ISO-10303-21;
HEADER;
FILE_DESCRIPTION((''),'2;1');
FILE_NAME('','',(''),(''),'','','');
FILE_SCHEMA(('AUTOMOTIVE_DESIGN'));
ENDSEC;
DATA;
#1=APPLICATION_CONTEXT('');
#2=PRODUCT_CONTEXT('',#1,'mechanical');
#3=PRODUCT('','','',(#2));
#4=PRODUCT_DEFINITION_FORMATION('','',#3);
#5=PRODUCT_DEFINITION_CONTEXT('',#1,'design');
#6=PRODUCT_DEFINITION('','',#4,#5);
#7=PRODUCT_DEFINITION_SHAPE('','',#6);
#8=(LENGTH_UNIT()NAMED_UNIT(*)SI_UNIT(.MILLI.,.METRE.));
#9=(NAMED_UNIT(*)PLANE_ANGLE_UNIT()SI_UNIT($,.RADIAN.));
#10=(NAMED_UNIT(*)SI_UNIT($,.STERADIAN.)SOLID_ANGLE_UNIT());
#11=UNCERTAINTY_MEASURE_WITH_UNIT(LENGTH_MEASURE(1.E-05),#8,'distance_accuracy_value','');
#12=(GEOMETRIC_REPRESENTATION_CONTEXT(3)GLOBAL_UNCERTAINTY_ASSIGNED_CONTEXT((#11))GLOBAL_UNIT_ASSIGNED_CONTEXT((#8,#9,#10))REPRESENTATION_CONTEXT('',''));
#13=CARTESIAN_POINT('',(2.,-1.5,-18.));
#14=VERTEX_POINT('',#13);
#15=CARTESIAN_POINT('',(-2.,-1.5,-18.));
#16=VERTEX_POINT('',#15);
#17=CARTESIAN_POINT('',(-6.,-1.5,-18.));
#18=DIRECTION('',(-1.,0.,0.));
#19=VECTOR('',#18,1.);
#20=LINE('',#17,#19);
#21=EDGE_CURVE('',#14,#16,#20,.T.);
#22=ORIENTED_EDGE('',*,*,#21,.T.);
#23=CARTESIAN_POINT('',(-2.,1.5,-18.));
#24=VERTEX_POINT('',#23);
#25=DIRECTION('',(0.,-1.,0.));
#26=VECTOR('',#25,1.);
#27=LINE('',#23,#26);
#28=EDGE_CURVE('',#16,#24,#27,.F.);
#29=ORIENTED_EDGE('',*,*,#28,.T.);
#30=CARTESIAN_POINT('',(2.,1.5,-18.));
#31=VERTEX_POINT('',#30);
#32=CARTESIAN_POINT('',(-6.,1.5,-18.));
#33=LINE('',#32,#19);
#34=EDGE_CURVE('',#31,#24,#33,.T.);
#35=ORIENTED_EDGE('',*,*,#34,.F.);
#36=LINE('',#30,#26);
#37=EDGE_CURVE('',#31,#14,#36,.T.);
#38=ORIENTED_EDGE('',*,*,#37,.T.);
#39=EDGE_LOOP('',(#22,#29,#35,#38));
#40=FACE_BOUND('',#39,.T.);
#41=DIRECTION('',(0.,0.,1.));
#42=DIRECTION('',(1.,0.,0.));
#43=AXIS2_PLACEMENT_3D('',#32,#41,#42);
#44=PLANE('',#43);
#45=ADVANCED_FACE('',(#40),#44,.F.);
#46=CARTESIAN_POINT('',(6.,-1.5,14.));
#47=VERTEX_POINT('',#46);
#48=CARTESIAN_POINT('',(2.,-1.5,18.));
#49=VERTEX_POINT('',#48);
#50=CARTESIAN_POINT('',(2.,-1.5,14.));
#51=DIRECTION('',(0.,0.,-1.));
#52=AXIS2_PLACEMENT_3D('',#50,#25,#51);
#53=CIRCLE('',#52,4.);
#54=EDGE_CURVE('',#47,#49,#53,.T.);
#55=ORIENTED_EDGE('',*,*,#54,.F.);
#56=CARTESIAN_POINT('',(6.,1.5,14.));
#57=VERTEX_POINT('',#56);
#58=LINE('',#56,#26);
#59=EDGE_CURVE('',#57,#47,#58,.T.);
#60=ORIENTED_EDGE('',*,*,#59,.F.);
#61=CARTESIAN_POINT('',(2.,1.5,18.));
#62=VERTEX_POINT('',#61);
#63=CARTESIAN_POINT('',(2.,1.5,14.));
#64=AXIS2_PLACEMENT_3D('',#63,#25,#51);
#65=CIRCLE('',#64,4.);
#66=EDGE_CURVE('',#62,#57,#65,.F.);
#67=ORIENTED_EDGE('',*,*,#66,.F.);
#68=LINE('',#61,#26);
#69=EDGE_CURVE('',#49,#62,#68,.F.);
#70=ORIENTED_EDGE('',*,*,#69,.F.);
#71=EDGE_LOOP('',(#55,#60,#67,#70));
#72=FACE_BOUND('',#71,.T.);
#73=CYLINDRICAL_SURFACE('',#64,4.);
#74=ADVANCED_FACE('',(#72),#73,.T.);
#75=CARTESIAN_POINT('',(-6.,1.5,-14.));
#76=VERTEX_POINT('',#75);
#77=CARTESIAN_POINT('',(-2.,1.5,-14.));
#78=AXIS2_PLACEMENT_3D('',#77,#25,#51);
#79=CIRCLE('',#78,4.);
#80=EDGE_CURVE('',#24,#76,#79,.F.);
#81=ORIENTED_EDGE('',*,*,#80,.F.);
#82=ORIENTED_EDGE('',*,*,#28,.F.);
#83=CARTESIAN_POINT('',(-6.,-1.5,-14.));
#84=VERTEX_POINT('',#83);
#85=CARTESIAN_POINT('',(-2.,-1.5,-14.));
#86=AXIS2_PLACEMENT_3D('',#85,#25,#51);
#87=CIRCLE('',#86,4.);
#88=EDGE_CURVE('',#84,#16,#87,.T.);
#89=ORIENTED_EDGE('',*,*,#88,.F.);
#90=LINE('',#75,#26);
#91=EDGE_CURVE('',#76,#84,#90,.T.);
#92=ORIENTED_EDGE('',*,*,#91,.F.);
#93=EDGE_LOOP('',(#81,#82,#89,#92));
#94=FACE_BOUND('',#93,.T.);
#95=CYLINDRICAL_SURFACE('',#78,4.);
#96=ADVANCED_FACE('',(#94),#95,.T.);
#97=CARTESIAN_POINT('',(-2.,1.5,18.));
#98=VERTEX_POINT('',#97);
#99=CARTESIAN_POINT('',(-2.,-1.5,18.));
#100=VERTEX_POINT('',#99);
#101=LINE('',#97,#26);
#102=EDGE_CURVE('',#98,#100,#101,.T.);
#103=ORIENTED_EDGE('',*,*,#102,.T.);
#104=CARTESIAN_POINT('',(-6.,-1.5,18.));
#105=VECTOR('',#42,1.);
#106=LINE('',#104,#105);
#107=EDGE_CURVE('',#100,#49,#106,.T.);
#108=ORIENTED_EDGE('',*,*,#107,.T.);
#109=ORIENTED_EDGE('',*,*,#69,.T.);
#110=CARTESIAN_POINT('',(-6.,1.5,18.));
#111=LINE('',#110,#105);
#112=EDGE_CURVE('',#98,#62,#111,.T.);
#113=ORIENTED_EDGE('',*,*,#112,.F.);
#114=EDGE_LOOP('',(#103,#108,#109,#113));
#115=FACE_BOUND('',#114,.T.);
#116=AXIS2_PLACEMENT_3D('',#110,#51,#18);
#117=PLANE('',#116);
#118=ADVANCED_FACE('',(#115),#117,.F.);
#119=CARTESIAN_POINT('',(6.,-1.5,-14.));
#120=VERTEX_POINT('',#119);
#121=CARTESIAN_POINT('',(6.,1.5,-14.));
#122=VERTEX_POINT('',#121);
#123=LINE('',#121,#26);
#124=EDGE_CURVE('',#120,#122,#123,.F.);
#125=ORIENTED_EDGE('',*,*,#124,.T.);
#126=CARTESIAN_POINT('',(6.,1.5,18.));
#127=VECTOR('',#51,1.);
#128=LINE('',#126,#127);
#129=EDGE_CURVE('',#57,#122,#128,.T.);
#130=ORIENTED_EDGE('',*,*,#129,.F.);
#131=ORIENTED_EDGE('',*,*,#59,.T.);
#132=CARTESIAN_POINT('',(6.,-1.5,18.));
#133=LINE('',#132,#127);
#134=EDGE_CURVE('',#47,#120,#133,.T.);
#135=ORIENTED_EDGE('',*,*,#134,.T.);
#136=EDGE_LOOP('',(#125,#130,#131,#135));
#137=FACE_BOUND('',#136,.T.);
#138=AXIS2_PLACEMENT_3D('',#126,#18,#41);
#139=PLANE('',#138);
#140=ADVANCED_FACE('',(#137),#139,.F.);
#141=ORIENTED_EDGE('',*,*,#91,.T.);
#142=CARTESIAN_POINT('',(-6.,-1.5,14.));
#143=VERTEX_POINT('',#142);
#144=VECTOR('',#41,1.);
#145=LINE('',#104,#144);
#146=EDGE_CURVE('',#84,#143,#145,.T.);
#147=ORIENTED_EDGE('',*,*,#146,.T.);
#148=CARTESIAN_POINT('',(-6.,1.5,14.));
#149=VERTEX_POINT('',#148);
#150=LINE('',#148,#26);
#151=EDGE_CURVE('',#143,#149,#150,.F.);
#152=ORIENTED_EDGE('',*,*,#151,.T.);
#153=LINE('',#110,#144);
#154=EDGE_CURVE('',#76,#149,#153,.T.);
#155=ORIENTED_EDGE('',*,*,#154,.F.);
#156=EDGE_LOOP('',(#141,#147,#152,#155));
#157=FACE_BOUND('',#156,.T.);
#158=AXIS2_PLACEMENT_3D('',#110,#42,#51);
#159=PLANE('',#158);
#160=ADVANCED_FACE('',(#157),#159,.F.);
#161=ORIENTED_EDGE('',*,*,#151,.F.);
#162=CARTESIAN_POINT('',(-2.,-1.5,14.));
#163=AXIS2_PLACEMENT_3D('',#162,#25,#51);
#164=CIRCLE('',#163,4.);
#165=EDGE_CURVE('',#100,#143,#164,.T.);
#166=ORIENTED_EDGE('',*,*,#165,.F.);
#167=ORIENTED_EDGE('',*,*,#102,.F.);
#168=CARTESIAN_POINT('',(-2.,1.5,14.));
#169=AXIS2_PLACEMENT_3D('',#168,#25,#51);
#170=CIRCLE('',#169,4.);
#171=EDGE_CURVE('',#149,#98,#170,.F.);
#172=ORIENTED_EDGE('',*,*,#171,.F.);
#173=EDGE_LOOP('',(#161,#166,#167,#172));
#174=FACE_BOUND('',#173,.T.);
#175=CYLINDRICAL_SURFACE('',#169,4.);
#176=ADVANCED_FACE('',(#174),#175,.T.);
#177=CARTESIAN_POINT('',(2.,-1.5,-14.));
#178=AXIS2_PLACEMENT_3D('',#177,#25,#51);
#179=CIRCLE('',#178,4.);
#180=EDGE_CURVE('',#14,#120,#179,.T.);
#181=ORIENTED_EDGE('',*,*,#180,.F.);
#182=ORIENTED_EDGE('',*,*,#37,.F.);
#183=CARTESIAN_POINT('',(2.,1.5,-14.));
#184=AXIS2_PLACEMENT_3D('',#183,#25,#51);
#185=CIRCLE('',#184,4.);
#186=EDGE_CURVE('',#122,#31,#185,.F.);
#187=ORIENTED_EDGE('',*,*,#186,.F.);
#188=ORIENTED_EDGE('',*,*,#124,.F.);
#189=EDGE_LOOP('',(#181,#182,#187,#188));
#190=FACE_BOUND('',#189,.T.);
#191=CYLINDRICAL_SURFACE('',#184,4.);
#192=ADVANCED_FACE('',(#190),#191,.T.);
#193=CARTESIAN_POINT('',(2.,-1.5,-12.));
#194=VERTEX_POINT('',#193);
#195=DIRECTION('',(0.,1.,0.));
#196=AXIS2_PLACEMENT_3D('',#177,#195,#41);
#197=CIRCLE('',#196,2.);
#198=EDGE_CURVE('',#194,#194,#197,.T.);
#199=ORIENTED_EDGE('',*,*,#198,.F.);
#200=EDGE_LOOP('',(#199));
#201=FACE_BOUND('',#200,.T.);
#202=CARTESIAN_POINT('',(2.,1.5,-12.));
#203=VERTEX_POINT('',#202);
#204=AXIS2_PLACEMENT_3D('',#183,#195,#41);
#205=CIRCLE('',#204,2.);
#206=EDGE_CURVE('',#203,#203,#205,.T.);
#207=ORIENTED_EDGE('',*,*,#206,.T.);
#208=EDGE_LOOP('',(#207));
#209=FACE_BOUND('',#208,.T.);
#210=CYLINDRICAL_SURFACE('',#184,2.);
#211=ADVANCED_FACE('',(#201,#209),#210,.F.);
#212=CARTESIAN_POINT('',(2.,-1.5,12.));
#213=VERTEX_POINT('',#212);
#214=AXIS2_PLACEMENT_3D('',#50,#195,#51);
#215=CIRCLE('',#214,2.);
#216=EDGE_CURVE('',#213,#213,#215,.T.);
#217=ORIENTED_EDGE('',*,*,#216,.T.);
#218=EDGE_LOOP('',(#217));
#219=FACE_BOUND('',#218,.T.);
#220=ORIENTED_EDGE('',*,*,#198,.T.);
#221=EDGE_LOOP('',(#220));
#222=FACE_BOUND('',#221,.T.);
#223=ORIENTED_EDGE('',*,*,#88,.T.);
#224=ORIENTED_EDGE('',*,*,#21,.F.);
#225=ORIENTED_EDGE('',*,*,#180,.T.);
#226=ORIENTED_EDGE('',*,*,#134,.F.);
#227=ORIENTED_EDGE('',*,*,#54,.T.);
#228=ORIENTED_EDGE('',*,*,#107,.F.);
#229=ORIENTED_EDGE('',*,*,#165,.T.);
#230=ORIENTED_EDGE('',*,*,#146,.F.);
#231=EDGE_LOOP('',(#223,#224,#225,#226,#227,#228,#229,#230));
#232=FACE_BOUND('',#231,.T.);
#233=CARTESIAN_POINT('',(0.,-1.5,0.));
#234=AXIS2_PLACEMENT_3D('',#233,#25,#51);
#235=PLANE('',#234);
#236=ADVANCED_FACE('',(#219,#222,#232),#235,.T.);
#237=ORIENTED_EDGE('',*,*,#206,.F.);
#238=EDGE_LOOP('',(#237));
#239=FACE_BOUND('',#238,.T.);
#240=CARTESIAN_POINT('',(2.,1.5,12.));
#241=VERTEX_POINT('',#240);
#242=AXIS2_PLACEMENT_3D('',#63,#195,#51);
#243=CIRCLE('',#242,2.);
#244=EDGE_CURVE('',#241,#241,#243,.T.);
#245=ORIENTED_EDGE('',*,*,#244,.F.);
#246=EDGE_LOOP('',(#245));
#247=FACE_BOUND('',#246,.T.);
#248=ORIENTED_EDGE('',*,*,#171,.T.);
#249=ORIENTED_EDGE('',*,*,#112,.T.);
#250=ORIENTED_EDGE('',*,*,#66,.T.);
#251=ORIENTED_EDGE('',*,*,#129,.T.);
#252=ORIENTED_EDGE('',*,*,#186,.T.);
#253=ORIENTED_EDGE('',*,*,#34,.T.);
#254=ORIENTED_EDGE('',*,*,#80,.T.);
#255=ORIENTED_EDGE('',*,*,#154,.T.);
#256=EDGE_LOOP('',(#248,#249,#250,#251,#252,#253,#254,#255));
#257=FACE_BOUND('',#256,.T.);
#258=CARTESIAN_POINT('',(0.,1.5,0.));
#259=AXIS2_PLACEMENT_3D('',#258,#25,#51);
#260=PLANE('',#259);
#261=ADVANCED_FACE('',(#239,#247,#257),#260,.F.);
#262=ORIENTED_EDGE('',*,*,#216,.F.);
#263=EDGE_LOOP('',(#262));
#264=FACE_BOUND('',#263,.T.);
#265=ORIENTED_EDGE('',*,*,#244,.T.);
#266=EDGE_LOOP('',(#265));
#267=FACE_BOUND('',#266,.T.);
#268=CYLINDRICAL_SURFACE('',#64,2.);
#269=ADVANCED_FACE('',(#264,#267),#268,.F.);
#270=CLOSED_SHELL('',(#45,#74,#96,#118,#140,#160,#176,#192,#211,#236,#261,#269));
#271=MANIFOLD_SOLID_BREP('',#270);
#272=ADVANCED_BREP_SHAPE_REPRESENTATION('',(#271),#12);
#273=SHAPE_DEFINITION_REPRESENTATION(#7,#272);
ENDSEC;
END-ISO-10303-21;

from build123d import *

# Parameters (mm, degrees)
SKETCH1_W           = 12
SKETCH1_H           = 36
SKETCH1_R           = 2
BOSS_EXTRUDE1_DEPTH = 1.5
FILLET1_R           = 4


with BuildPart() as part:
    # Sketch1 → Boss-Extrude1 (new, symmetric)
    with BuildSketch(Plane(origin=(0, 0, 0), x_dir=(1, 0, 0), z_dir=(0, 1, 0))):
        Rectangle(SKETCH1_W, SKETCH1_H)
        with Locations(Location((2, 14, 0), (0, 0, 270))):
            Circle(SKETCH1_R, mode=Mode.SUBTRACT)
        with Locations(Location((2, -14, 0), (0, 0, 90))):
            Circle(SKETCH1_R, mode=Mode.SUBTRACT)
    extrude(amount=BOSS_EXTRUDE1_DEPTH, both=True)

    # Fillet1
    fillet1_edges = [part.edges().sort_by_distance(p)[0] for p in [
        (6, 0, 18),
        (-6, 0, 18),
        (-6, 0, -18),
        (6, 0, -18),
    ]]
    fillet(fillet1_edges, radius=FILLET1_R)


solid = part.part
